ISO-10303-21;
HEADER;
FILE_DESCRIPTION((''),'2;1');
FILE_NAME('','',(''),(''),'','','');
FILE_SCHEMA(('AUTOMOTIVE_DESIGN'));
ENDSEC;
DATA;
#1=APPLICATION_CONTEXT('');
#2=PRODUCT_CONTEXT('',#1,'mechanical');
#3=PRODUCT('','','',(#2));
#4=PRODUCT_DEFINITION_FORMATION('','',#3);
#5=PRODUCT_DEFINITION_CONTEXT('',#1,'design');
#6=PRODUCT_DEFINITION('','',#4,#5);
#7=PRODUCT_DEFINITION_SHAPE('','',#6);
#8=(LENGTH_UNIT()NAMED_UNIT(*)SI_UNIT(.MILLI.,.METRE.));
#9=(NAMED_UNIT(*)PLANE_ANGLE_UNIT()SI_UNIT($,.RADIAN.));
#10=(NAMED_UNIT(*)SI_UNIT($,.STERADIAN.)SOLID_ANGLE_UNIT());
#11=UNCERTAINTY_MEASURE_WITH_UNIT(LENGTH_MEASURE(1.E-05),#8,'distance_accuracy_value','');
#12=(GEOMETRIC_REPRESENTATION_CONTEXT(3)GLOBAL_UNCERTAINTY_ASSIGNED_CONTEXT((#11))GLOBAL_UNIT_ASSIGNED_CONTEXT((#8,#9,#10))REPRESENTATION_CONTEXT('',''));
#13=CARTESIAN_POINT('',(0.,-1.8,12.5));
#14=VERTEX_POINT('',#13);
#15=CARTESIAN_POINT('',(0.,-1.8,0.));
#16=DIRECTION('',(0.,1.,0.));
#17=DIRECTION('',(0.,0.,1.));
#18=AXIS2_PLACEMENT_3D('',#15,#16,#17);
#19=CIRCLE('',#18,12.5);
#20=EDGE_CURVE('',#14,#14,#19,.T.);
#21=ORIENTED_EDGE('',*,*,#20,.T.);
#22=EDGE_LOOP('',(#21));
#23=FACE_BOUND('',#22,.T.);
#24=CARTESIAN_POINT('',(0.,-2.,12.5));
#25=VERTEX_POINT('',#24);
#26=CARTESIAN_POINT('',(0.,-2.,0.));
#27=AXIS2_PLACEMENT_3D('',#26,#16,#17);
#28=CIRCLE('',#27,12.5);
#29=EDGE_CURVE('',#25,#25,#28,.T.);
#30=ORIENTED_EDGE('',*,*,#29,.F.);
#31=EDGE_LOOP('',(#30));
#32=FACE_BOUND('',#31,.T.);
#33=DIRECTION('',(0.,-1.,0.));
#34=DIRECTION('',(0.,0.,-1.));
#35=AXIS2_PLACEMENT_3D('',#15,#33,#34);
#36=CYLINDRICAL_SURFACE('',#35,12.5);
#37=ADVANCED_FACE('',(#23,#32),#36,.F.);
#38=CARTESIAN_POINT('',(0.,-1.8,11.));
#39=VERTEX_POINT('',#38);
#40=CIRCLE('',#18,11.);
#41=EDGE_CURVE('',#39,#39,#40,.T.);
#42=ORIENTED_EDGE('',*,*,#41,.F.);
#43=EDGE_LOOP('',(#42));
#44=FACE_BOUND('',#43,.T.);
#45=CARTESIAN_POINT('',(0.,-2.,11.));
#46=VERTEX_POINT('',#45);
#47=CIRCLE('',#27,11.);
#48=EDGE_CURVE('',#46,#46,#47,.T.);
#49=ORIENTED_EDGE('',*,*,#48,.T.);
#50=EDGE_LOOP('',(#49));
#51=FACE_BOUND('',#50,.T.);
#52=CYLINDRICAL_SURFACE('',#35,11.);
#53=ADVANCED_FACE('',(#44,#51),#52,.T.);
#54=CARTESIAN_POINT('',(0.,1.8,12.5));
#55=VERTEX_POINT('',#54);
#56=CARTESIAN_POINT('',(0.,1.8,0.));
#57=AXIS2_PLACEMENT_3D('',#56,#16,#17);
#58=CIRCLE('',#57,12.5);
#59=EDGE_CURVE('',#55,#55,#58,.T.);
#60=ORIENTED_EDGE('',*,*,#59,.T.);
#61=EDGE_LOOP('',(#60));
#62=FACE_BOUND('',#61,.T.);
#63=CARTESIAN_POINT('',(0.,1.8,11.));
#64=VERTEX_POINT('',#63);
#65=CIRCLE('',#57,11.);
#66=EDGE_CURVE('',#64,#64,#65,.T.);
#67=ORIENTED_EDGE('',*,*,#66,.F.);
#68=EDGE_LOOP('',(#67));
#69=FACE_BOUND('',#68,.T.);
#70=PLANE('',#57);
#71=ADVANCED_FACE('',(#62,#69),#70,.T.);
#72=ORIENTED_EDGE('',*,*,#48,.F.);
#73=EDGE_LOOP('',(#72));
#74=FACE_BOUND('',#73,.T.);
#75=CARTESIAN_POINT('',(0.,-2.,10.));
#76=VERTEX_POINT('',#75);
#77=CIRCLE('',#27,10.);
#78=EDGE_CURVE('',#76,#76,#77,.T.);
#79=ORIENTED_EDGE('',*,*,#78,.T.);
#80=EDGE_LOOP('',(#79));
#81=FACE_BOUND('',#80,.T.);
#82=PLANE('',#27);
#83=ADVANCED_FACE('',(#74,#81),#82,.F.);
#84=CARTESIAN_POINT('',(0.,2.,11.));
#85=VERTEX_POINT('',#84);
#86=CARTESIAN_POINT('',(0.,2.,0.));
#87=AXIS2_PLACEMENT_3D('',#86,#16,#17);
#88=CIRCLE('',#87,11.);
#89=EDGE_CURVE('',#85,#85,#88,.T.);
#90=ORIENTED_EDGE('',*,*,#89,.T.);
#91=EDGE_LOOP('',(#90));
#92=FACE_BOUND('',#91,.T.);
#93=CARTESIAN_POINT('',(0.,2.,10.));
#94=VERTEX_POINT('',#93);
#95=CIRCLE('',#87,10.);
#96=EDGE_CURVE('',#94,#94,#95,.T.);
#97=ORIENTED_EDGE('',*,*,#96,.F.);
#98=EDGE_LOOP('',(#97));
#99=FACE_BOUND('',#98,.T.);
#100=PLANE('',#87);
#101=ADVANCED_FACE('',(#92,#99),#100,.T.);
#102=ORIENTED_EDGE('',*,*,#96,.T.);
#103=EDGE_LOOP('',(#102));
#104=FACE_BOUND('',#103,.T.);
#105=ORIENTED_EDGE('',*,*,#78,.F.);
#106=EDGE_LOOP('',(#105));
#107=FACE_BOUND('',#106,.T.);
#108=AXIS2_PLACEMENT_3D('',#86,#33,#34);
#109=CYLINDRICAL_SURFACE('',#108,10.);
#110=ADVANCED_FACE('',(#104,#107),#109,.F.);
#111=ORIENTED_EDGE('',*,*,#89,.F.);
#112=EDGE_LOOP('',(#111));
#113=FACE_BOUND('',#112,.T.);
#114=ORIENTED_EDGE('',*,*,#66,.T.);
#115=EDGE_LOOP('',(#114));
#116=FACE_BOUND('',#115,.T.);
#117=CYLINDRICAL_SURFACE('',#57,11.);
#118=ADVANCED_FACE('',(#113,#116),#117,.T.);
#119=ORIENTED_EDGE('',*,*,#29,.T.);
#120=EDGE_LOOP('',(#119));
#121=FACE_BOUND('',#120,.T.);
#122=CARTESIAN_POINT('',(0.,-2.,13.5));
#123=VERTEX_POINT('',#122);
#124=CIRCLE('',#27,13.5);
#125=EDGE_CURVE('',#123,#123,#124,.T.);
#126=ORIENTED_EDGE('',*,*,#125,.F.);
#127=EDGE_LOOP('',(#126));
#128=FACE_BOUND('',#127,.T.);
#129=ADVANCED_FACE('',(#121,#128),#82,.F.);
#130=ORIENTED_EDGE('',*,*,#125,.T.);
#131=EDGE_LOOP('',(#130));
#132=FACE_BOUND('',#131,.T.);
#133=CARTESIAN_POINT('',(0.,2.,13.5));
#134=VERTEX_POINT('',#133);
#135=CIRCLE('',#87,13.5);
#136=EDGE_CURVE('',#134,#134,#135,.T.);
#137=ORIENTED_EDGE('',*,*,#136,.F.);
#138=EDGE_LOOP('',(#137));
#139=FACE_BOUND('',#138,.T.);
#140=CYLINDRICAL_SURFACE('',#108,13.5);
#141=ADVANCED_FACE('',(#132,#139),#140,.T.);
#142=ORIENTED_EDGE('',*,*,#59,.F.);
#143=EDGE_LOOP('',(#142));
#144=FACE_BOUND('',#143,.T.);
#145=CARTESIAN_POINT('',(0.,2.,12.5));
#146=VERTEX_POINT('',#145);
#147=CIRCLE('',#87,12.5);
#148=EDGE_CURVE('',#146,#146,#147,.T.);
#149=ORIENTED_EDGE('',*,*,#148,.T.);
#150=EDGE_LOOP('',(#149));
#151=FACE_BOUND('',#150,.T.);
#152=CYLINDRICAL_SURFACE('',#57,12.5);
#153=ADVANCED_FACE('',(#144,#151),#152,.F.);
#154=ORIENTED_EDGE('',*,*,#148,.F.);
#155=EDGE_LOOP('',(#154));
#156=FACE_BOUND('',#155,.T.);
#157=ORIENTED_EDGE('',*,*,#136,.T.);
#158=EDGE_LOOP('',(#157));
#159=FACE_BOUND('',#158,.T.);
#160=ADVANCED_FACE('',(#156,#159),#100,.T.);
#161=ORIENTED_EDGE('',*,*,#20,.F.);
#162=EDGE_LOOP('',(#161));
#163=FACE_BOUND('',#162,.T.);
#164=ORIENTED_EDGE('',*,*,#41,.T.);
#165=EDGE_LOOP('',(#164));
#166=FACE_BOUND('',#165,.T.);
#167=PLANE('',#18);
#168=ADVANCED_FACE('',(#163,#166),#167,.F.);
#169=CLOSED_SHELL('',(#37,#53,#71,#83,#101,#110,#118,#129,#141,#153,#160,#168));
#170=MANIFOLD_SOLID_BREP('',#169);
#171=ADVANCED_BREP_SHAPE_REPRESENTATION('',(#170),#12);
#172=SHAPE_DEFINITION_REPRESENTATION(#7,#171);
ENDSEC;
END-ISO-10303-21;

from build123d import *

# Parameters (mm, degrees)
SKETCH1_R           = 13.5
SKETCH1_R_2         = 10
BOSS_EXTRUDE1_DEPTH = 2
CUT_EXTRUDE1_START  = 2
SKETCH2_R           = 12.5
SKETCH2_R_2         = 11
CUT_EXTRUDE1_DEPTH  = 0.2
CUT_EXTRUDE2_START  = -1.8
SKETCH2_2_R         = 12.5
SKETCH2_2_R_2       = 11
CUT_EXTRUDE2_DEPTH  = 0.2


with BuildPart() as part:
    # Sketch1 → Boss-Extrude1 (new, symmetric)
    with BuildSketch(Plane(origin=(0, 0, 0), x_dir=(1, 0, 0), z_dir=(0, 1, 0))):
        with Locations(Location((0, 0, 0), (0, 0, 270))):
            Circle(SKETCH1_R)
        with Locations(Location((0, 0, 0), (0, 0, 270))):
            Circle(SKETCH1_R_2, mode=Mode.SUBTRACT)
    extrude(amount=BOSS_EXTRUDE1_DEPTH, both=True)

    # Sketch2 → Cut-Extrude1 (cut)
    with BuildSketch(Plane.XZ.offset(CUT_EXTRUDE1_START)):
        with Locations(Location((0, 0, 0), (0, 0, 90))):
            Circle(SKETCH2_R)
        with Locations(Location((0, 0, 0), (0, 0, 90))):
            Circle(SKETCH2_R_2, mode=Mode.SUBTRACT)
    extrude(amount=-CUT_EXTRUDE1_DEPTH, mode=Mode.SUBTRACT)

    # Sketch2<2> → Cut-Extrude2 (cut)
    with BuildSketch(Plane.XZ.offset(CUT_EXTRUDE2_START)):
        with Locations(Location((0, 0, 0), (0, 0, 90))):
            Circle(SKETCH2_2_R)
        with Locations(Location((0, 0, 0), (0, 0, 90))):
            Circle(SKETCH2_2_R_2, mode=Mode.SUBTRACT)
    extrude(amount=-CUT_EXTRUDE2_DEPTH, mode=Mode.SUBTRACT)


solid = part.part
